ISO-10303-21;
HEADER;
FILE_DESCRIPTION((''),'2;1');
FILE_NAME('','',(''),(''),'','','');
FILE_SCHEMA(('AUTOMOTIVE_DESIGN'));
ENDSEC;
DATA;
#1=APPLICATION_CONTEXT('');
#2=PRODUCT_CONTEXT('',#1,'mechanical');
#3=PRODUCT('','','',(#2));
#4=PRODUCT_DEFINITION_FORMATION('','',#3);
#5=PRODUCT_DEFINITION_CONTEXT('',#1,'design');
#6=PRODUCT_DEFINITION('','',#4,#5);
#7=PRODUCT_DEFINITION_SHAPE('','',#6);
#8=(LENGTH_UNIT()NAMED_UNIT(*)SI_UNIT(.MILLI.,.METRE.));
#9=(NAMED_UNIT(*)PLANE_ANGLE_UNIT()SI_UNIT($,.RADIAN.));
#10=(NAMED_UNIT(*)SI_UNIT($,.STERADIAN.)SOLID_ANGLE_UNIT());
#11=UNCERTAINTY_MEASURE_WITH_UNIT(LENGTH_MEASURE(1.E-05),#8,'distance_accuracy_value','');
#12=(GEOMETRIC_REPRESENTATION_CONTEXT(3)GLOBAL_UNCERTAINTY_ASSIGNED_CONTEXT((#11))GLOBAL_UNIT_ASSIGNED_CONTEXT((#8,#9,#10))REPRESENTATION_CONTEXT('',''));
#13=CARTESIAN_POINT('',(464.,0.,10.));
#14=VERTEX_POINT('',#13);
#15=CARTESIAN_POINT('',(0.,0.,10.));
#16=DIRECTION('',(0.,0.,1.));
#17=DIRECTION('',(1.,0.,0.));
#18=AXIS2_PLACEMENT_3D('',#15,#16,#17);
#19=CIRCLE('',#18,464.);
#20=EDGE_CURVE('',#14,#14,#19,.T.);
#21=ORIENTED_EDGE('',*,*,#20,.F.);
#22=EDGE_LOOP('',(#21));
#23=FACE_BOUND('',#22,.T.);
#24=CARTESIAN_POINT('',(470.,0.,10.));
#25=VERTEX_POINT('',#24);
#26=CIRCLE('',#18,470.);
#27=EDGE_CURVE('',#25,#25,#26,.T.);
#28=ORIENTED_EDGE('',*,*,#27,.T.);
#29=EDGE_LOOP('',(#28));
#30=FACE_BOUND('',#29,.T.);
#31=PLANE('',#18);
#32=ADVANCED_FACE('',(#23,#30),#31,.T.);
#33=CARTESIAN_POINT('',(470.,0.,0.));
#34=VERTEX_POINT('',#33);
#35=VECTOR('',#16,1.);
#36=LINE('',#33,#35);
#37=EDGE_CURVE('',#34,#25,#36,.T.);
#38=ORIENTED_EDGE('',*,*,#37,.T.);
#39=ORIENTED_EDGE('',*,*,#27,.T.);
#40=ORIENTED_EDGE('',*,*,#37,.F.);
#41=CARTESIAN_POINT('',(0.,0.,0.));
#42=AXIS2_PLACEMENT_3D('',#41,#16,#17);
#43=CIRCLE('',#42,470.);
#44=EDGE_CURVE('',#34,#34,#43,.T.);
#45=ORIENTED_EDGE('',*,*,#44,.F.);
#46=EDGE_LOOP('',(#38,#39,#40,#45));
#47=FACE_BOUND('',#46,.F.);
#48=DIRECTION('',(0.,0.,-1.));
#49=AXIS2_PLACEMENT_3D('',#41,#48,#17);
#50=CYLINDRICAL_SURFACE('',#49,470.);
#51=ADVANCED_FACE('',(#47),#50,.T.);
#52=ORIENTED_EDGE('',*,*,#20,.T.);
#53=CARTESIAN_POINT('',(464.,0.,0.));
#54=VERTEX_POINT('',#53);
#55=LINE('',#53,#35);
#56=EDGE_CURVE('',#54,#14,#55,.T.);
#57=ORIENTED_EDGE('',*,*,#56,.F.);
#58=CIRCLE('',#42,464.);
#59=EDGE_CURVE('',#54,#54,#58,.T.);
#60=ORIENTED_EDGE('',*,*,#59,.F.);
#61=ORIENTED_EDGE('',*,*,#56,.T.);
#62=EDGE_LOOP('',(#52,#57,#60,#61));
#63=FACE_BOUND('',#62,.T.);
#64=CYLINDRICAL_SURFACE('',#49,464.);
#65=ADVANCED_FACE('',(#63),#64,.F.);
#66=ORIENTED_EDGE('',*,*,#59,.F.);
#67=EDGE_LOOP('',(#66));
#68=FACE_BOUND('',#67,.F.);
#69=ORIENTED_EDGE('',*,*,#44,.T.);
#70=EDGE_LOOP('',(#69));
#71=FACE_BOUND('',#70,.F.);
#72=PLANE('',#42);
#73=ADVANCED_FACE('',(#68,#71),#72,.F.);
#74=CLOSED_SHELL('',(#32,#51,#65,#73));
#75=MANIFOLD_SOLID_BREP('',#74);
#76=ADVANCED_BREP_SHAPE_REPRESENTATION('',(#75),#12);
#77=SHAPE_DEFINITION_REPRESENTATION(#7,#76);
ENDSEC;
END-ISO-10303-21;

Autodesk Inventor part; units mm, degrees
ref_plane "YZ Plane" through (0, 0, 0) normal (1, 0, 0) x (0, 1, 0)
ref_plane "XZ Plane" through (0, 0, 0) normal (0, 1, 0) x (-1, 0, 0)
ref_plane "XY Plane" through (0, 0, 0) normal (0, 0, 1) x (1, 0, 0)
sketch "Sketch1" plane through (0, 0, 0) normal (0, 0, 1) x (1, 0, 0)
  circle A0 centre (0, 0) radius 470
  circle A1 centre (0, 0) radius 464
  dimension "d0" = 940
  dimension "d1" = 6
extrude "Extrusion1" add sketch "Sketch1" along normal blind 10
sketch "Sketch2" plane through (0, 0, 0) normal (0, 0, 1) x (1, 0, 0)
  circle A0 centre (-90, -87.958) radius 95
  circle A1 centre (-250, -87.958) radius 95
  circle A2 centre (-400, -87.958) radius 95
  circle A3 centre (-130, -210) radius 95
  circle A4 centre (-315, -210) radius 95
  circle A5 centre (-220, -340) radius 95
  line L0 (0, -87.958) -> (-400, -87.958)
  line L1 (0, 0) -> (0, -487.8658)
  line L2 (0, -340) -> (-220, -340)
  line L3 (0, -210) -> (-315, -210)
  circle A6 centre (-90, -340) radius 95
  line L4 (87.4849, 38.1849) -> (90.8389, 440.6653)
  line L5 (212.1333, 37.1461) -> (212.1333, 380.2933)
  line L6 (330.7447, 36.1577) -> (330.7447, 284.5726)
  dimension "d8" = 210
  dimension "d9" = 340
  dimension "d11" = 90
  dimension "d12" = 250
  dimension "d13" = 400
  dimension "d16" = 130
  dimension "d17" = 315
  dimension "d18" = 90
  dimension "d19" = 220
sketch "Sketch3" plane through (0, 0, 0) normal (0, 0, 1) x (1, 0, 0)
  circle A0 centre (-104.0992, -233.3488) radius 95
  circle A1 centre (-161.9131, -395.3117) radius 95
  circle A2 centre (-91.7953, -514.3257) radius 95
  circle A3 centre (-280.9346, -260.412) radius 95
  circle A4 centre (-299.5406, -418.8761) radius 95
  circle A5 centre (-250.7395, 99.5106) radius 95
  circle A6 centre (-395.8303, 87.9315) radius 95
  circle A7 centre (-535.2648, 91.0733) radius 95
  circle A8 centre (-460.3613, -287.8718) radius 95
  circle A9 centre (-531.2922, -111.9436) radius 95
  circle A10 centre (-392.3143, -102.4845) radius 95
  circle A11 centre (0, 0) radius 542.9574 construction
  circle A12 centre (-253.2201, -93.0176) radius 95
  circle A13 centre (-90.4998, -81.9426) radius 95
  circle A14 centre (85.6841, -88.1302) radius 95
  circle A15 centre (-90.4998, 88.0537) radius 95
  circle A16 centre (0, 0) radius 405.4794 construction
  circle A17 centre (0, 0) radius 269.7641 construction
  circle A18 centre (85.6841, 88.0537) radius 95
  line L0 (0, 0) -> (0, -542.9574)
  line L1 (0, -75.783) -> (-531.2922, -111.9436)
  line L2 (0, -217.4173) -> (-460.3613, -287.8718)
  circle A19 centre (0, 0) radius 600
  line L3 (0, -367.5891) -> (-299.5406, -418.8761)
  line L4 (-91.7953, -514.3257) -> (0, -514.3257)
  point P0 (0, 0)
  dimension "d21" = 190
  dimension "d22" = 1200
equation "\"BendRadius\" = Thickness"
equation "\"BendReliefWidth\" = Thickness"
equation "\"BendReliefDepth\" = 0.5 * Thickness"
equation "\"CornerReliefSize\" = 4 * Thickness"
equation "\"MinimumRemnant\" = 2 * Thickness"
equation "\"TransitionRadius\" = BendRadius"
equation "\"JacobiRadiusSize\" = BendRadius"
equation "\"GapSize\" = Thickness"
equation "\"way_tube_L1\" = 1"
equation "\"way_tube_L2\" = 1"
equation "\"way_tube_L3\" = 1"
equation "\"way_tube_L4\" = 1"
equation "\"way_tube_L5\" = 120"
equation "\"way_tube_L6\" = 90"
equation "\"way_tube_L7\" = 20"
equation "\"way_tube_L8\" = 90"
equation "\"way_tube_L9\" = 80"
equation "\"way_tube_L10\" = 80"
equation "\"Thickness\" = 3.048"
properties part number "PRS 169859 DIM filter-distribution-system 1000_1200"
